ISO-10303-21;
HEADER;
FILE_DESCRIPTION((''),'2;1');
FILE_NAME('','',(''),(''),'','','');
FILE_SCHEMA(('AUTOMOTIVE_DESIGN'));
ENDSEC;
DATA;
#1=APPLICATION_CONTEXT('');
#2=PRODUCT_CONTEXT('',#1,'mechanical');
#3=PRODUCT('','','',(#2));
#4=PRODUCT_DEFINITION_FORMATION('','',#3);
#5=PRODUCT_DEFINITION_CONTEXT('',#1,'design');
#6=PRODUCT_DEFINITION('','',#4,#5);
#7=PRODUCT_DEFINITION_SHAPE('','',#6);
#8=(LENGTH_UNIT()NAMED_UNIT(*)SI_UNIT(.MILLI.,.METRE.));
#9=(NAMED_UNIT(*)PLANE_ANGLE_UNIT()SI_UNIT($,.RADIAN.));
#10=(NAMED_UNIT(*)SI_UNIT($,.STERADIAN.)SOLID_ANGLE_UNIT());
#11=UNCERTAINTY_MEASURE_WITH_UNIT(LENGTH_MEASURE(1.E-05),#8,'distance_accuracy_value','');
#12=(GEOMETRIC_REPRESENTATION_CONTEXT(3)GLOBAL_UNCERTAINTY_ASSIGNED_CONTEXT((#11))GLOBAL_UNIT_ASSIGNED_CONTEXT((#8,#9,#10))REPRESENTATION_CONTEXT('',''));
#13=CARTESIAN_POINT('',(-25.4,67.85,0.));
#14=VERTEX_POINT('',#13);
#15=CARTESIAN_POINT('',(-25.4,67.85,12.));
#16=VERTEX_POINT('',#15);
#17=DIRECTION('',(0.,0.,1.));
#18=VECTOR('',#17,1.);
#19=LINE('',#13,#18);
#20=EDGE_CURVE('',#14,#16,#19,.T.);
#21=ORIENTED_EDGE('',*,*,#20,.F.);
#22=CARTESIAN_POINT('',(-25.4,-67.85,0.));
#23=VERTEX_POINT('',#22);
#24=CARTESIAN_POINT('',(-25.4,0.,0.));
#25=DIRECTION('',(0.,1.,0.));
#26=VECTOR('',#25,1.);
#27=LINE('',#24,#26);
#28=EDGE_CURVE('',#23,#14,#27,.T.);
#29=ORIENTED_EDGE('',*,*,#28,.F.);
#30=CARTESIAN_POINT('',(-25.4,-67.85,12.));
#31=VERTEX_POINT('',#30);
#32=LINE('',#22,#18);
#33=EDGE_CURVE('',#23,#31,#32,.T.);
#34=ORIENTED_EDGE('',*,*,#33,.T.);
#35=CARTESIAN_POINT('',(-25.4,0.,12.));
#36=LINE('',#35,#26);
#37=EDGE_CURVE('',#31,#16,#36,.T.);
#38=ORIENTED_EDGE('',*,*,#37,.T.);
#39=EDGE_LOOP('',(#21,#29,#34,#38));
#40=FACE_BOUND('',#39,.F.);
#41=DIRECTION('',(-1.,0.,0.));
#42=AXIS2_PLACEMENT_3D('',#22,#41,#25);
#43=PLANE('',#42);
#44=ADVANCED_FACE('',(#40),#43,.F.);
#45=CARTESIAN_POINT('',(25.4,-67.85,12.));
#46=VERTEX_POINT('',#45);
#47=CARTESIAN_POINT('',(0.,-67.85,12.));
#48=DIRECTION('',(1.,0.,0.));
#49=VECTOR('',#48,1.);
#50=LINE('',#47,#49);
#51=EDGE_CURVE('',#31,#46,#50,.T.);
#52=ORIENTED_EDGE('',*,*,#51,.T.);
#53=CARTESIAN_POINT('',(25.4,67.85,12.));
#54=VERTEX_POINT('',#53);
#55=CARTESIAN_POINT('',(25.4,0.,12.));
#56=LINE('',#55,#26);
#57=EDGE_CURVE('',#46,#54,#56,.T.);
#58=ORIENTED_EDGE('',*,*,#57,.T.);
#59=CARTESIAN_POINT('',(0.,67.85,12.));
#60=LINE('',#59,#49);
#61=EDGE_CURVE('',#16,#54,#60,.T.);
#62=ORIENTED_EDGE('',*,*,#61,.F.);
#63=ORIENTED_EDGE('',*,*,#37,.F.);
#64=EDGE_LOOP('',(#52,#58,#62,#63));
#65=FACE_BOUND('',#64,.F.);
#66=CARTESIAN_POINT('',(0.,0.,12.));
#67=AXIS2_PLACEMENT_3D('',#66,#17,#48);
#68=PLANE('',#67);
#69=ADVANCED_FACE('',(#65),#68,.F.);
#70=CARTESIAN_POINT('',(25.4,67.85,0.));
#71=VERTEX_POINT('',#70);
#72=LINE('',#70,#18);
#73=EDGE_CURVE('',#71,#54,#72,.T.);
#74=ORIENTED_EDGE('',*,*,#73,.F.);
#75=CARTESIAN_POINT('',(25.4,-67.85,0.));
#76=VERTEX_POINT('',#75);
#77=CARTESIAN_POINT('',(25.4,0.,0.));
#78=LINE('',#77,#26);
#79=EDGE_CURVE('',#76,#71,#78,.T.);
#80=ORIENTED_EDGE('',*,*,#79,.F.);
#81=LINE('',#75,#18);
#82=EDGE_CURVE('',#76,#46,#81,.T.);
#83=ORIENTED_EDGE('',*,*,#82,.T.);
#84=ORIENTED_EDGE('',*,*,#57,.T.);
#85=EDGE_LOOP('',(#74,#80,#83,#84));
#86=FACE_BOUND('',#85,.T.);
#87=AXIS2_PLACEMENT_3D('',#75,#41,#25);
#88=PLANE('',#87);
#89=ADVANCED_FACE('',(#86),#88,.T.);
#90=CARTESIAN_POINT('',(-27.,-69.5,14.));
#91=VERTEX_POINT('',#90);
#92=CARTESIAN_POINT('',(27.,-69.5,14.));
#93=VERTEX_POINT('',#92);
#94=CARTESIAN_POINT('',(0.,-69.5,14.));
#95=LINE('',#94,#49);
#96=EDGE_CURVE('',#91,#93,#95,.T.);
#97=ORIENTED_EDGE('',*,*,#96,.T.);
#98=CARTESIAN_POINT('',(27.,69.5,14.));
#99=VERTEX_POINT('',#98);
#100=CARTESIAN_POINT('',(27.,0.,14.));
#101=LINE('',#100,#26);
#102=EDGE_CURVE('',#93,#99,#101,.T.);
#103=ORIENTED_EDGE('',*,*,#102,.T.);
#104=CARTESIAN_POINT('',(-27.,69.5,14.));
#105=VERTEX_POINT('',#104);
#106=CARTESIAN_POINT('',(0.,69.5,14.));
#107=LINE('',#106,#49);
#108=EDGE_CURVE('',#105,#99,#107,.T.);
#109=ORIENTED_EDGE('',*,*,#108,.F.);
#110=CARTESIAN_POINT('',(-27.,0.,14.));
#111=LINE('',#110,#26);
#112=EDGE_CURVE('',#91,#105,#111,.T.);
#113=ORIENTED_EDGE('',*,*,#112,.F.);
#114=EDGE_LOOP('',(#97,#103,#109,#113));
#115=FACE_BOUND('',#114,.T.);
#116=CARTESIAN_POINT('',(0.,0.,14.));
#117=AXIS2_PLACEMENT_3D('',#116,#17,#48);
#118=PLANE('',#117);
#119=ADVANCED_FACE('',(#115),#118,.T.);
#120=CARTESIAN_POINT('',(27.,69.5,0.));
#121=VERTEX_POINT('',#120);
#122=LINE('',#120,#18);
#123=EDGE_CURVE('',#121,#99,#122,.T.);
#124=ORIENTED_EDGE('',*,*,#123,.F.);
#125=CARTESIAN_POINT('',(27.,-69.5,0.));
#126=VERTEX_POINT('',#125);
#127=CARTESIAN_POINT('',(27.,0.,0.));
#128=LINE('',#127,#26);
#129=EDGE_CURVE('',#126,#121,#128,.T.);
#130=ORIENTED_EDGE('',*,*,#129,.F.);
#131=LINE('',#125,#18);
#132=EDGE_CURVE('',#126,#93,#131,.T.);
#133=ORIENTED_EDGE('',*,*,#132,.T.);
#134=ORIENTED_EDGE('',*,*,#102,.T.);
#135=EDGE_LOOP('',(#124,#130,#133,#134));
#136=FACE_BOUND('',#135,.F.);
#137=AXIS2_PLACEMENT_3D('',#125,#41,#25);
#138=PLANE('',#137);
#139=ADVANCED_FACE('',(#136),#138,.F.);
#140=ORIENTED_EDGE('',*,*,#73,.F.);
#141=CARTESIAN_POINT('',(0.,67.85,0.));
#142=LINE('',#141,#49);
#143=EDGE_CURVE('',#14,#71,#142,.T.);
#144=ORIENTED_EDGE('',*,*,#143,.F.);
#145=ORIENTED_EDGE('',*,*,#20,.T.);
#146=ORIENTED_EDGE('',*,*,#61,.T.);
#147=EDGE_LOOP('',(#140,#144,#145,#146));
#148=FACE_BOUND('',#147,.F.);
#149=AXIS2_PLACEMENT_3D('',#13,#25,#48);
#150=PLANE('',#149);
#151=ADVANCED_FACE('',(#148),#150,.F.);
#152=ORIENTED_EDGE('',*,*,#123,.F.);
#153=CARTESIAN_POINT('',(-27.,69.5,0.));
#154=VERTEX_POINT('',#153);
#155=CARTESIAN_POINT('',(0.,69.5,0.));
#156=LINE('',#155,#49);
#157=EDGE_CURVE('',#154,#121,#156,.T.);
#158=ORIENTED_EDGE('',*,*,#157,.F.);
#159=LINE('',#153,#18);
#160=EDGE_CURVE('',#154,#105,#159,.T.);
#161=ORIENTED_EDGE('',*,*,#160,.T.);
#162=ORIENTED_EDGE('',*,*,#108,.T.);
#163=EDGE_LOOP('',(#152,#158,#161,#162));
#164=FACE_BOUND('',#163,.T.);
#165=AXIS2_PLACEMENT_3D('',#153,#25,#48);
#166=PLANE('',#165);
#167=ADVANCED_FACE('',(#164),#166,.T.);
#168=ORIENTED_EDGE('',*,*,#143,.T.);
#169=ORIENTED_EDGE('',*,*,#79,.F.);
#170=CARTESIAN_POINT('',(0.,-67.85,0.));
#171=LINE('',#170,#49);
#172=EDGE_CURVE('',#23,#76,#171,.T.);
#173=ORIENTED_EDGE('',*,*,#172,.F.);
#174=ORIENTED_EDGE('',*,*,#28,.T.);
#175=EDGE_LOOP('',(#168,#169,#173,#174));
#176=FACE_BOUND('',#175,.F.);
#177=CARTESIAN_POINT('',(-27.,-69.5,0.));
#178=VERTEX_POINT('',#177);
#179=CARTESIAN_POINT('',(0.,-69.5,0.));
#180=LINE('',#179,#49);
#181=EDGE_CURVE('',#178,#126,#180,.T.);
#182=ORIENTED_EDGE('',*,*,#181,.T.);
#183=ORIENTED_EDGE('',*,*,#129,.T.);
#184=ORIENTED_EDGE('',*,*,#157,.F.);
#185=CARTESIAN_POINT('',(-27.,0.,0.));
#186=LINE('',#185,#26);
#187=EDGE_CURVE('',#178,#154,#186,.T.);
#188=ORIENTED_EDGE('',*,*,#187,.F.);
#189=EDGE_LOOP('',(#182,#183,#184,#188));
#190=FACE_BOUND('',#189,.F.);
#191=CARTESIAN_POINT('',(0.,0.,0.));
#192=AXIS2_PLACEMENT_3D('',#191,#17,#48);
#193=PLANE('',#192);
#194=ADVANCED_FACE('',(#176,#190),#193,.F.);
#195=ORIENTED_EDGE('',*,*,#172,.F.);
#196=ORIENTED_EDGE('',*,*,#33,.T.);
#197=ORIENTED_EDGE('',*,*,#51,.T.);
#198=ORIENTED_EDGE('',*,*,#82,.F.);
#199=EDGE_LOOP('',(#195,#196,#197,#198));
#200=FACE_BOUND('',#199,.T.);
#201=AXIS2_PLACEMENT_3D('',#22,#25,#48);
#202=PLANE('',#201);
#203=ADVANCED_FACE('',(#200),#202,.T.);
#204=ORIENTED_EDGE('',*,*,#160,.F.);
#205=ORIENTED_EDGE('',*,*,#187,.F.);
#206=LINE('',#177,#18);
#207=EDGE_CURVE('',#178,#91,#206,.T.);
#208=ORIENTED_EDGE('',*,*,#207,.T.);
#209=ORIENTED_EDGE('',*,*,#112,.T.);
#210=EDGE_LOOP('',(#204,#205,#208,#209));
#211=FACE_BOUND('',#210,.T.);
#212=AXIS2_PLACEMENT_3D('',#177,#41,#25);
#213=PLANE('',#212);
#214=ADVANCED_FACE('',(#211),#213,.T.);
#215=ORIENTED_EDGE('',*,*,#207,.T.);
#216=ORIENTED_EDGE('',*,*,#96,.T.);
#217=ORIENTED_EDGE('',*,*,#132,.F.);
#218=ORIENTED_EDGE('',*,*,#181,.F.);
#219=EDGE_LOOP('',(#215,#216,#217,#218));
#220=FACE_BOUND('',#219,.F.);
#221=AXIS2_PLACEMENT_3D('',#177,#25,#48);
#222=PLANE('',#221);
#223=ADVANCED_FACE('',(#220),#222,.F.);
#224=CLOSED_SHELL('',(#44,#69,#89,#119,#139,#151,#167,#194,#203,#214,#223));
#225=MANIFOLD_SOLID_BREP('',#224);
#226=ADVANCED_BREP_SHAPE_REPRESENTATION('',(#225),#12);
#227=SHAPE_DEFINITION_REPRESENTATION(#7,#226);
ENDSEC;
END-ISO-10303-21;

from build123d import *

# Parameters (mm, degrees)
F1_W     = 54
F1_H     = 139
F2_DEPTH = 14
F0_W     = 50.8
F0_H     = 135.7
F3_DEPTH = 12


with BuildPart() as f2:
    # F1 (on Top) → F2 (new body)
    with BuildSketch(Plane.XY):
        Rectangle(F1_W, F1_H)
    extrude(amount=F2_DEPTH)

    # F0 (on Top) → F3 (cut)
    with BuildSketch(Plane.XY):
        Rectangle(F0_W, F0_H)
    extrude(amount=F3_DEPTH, mode=Mode.SUBTRACT)


solid = f2.part
